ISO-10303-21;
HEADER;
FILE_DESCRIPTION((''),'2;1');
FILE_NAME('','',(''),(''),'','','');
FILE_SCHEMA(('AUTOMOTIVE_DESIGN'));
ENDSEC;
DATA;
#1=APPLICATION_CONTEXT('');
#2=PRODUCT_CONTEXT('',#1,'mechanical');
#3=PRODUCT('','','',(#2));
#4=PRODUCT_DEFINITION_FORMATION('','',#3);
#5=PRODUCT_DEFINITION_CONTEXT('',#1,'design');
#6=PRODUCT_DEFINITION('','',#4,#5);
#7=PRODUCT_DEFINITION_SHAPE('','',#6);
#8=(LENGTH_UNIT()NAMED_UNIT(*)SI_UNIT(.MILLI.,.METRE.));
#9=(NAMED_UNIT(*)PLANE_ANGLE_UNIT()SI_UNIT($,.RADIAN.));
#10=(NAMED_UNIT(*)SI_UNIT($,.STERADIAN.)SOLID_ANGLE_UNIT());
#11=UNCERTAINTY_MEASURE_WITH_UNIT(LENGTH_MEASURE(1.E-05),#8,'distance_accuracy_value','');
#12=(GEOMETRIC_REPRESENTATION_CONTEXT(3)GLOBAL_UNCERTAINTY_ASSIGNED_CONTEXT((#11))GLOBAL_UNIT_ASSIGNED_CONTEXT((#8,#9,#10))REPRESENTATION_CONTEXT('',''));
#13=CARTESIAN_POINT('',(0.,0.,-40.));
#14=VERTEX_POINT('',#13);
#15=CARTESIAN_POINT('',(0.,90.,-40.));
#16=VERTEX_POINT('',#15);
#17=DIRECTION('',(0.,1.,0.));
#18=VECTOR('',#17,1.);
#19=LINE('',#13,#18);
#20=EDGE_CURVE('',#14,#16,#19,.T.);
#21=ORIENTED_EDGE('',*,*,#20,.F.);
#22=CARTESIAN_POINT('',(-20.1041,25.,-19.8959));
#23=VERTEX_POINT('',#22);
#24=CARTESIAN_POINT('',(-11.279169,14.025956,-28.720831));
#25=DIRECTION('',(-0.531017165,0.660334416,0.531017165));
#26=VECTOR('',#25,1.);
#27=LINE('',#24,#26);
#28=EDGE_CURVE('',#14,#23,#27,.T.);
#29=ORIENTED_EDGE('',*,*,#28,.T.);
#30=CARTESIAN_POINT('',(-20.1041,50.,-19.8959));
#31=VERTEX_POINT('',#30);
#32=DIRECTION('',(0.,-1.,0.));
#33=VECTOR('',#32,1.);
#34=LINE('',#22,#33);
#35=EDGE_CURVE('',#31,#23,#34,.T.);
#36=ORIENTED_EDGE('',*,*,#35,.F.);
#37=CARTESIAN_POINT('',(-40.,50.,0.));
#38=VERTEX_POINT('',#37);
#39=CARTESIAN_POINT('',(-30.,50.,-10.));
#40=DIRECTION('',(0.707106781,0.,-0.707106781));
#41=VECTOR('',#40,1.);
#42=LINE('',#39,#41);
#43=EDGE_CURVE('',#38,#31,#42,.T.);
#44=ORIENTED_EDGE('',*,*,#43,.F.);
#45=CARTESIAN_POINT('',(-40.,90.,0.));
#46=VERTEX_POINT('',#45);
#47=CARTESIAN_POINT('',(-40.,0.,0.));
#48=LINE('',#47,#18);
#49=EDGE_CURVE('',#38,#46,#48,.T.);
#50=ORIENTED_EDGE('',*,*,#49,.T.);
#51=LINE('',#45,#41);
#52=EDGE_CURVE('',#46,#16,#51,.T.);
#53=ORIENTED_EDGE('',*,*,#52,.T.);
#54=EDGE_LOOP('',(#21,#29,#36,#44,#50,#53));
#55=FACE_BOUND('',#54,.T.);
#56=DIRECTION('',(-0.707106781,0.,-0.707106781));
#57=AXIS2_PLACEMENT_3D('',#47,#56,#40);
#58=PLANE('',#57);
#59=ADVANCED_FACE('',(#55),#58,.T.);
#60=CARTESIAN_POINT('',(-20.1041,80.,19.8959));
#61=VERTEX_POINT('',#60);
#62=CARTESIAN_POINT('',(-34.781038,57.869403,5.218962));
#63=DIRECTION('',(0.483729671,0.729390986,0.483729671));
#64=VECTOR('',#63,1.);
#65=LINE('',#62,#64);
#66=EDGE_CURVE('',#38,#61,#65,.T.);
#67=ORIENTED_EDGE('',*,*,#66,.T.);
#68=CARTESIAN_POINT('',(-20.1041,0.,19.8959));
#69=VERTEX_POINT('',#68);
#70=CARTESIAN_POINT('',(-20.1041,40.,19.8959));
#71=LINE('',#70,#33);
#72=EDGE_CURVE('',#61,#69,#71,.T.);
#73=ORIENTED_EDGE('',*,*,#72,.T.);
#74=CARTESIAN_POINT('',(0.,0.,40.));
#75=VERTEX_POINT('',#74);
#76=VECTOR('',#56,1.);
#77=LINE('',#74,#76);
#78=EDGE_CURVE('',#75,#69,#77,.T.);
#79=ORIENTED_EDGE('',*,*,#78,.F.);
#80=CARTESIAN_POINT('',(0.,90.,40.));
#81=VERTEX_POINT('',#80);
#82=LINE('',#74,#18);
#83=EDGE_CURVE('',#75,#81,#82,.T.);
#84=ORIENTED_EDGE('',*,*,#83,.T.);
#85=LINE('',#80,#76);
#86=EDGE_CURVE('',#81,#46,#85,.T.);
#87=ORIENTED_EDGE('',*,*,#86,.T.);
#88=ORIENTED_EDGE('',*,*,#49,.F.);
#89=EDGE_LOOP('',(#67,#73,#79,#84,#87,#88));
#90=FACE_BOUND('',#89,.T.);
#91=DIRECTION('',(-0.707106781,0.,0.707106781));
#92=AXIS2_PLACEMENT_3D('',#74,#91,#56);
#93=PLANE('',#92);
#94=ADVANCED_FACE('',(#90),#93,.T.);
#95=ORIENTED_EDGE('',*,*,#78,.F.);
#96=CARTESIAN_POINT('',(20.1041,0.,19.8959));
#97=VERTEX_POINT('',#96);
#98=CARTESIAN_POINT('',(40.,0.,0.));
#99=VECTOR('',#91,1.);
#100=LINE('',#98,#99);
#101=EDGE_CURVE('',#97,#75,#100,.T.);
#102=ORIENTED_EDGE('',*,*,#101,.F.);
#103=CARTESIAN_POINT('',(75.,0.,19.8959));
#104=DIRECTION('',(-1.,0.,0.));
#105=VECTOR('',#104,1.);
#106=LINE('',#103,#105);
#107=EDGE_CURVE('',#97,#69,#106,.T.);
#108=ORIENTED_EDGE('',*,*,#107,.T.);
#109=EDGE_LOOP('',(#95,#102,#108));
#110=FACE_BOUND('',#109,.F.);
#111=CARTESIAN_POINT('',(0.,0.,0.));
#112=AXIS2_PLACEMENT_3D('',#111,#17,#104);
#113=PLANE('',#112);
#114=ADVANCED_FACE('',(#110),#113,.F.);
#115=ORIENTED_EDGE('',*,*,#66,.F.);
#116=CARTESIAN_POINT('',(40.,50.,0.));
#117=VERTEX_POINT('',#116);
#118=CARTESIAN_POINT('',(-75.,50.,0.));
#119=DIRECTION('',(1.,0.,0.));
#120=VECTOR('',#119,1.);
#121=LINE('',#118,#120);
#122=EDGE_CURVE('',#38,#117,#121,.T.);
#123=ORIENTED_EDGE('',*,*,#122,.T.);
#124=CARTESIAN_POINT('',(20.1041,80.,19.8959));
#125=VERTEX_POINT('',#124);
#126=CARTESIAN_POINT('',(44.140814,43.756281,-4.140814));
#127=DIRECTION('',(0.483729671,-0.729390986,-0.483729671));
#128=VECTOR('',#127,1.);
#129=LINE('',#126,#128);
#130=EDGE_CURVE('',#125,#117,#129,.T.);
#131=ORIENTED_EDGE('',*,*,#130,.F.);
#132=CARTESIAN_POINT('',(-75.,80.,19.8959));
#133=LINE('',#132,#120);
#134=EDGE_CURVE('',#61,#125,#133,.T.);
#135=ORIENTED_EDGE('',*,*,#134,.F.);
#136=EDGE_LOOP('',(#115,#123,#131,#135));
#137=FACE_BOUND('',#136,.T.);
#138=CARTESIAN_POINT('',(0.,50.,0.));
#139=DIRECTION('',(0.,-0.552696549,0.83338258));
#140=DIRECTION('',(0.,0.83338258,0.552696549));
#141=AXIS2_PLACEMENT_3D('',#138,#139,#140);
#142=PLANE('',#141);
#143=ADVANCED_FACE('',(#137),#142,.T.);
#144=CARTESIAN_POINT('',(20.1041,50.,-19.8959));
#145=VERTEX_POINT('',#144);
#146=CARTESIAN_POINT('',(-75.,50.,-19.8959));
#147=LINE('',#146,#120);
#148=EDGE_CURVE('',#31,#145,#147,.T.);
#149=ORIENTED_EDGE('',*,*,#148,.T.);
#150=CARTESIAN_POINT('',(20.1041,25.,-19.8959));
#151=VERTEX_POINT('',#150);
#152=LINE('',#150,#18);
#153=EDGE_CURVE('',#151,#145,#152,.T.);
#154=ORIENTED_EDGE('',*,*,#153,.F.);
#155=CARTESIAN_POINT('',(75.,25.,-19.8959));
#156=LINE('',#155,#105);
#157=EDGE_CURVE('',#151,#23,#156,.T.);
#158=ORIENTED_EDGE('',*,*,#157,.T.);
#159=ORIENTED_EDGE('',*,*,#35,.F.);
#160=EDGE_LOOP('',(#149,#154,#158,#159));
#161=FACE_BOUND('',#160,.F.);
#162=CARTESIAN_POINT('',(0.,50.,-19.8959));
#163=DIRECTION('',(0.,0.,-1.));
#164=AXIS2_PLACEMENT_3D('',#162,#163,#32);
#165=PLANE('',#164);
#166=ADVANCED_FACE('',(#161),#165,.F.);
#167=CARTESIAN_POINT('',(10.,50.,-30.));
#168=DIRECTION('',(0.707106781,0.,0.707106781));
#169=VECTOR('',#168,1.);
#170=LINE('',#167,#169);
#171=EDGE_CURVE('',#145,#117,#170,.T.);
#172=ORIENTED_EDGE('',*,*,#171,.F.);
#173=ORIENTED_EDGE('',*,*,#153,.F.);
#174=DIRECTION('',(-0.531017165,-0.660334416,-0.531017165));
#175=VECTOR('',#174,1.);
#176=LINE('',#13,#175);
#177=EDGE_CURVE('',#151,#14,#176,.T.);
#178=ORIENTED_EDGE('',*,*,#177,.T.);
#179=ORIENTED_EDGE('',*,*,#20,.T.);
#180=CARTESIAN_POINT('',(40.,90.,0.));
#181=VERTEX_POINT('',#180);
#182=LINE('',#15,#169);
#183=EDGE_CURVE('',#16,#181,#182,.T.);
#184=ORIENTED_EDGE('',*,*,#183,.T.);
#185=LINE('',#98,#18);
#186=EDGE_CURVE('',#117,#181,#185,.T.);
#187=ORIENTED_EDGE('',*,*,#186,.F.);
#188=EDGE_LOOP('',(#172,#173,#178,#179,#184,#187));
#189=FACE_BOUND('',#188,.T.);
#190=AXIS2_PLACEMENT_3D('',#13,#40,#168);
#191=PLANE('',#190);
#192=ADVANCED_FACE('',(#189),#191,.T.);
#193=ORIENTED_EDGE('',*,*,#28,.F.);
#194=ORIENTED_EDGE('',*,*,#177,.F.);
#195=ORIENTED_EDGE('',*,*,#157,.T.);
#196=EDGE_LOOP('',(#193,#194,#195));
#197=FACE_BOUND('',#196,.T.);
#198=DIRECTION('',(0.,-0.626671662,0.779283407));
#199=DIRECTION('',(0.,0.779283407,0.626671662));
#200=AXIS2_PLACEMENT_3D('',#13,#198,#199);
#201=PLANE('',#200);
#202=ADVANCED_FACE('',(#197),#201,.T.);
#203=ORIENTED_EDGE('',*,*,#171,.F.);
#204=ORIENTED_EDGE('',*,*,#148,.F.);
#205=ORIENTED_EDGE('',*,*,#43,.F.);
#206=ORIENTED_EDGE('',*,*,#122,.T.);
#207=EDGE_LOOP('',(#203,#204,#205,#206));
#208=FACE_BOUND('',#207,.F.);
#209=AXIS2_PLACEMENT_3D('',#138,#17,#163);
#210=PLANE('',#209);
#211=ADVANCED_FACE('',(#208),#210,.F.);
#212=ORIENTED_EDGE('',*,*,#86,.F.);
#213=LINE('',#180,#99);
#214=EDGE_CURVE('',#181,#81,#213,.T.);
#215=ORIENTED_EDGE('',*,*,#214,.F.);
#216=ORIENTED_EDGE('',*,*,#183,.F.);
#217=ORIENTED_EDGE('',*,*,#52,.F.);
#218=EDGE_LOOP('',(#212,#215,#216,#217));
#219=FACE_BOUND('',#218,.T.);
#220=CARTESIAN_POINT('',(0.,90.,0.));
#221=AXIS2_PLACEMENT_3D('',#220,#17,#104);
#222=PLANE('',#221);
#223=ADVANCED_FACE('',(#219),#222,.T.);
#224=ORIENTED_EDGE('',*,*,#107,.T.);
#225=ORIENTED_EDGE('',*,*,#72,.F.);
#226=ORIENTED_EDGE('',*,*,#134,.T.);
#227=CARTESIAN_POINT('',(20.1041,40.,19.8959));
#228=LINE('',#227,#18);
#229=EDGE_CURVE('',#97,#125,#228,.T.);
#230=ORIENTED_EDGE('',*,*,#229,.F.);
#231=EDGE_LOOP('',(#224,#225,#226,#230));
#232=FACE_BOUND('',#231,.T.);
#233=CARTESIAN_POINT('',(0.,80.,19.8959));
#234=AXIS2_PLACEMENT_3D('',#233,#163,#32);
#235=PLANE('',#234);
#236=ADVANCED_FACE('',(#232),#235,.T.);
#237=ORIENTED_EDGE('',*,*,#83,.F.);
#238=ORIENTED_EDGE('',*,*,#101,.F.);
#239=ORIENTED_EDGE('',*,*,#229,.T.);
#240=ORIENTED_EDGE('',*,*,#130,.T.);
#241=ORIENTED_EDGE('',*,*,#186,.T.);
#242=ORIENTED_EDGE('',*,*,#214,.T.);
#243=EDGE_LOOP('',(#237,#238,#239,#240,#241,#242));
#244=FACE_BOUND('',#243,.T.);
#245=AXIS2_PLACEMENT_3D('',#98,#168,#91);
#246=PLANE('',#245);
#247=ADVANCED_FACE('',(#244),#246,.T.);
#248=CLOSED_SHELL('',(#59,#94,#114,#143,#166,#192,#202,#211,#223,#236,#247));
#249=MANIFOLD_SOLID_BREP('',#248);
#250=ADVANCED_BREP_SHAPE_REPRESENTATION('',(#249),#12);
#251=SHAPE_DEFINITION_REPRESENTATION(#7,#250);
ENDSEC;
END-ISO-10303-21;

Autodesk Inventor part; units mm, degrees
ref_plane "YZ Plane" through (0, 0, 0) normal (1, 0, 0) x (0, 1, 0)
ref_plane "XZ Plane" through (0, 0, 0) normal (0, 1, 0) x (-1, 0, 0)
ref_plane "XY Plane" through (0, 0, 0) normal (0, 0, 1) x (1, 0, 0)
sketch "Эскиз4" plane through (0, 0, 0) normal (0, 1, 0) x (-1, 0, 0)
  line L0 (-40, 0) -> (0, 40)
  line L1 (0, 40) -> (40, 0)
  line L2 (40, 0) -> (0, -40)
  line L3 (0, -40) -> (-40, 0)
  point P0 (0, 0)
  point P1 (0, 0)
extrude "Выдавливание2" add sketch "Эскиз4" along normal blind 90
sketch "Эскиз5" plane through (0, 0, 0) normal (1, 0, 0) x (0, 1, 0)
  line L0 (50, -19.8959) -> (-50, -19.8959)
  line L1 (-50, -19.8959) -> (-50, 19.8959)
  line L2 (-50, 19.8959) -> (50, 19.8959)
  line L3 (50, 19.8959) -> (50, -19.8959)
  line L4 (0, 0) -> (0, 40) projected
  line L5 (50, -19.8959) -> (-50, 19.8959) construction
  line L6 (-50, -19.8959) -> (50, 19.8959) construction
  line L7 (0, -40) -> (0, 0) projected
  line L8 (0, -40) -> (25, -19.8959)
  line L9 (0, 0) -> (90, 0) projected
  line L10 (50, 0) -> (80, 19.8959)
  line L11 (80, 19.8959) -> (50, 19.8959)
  line L12 (90, 0) -> (90, 40) projected
  point P0 (90, 20)
  point P1 (0, 19.8959)
  dimension "d8" = 100
  dimension "d9" = 25
  dimension "d10" = 10
extrude "Выдавливание3" cut sketch "Эскиз5" along normal mid plane 150 contours L0 L7 L9 L3 | L8 L7 L0 | L9 L4 L2 L3 | L3 L11 L10
